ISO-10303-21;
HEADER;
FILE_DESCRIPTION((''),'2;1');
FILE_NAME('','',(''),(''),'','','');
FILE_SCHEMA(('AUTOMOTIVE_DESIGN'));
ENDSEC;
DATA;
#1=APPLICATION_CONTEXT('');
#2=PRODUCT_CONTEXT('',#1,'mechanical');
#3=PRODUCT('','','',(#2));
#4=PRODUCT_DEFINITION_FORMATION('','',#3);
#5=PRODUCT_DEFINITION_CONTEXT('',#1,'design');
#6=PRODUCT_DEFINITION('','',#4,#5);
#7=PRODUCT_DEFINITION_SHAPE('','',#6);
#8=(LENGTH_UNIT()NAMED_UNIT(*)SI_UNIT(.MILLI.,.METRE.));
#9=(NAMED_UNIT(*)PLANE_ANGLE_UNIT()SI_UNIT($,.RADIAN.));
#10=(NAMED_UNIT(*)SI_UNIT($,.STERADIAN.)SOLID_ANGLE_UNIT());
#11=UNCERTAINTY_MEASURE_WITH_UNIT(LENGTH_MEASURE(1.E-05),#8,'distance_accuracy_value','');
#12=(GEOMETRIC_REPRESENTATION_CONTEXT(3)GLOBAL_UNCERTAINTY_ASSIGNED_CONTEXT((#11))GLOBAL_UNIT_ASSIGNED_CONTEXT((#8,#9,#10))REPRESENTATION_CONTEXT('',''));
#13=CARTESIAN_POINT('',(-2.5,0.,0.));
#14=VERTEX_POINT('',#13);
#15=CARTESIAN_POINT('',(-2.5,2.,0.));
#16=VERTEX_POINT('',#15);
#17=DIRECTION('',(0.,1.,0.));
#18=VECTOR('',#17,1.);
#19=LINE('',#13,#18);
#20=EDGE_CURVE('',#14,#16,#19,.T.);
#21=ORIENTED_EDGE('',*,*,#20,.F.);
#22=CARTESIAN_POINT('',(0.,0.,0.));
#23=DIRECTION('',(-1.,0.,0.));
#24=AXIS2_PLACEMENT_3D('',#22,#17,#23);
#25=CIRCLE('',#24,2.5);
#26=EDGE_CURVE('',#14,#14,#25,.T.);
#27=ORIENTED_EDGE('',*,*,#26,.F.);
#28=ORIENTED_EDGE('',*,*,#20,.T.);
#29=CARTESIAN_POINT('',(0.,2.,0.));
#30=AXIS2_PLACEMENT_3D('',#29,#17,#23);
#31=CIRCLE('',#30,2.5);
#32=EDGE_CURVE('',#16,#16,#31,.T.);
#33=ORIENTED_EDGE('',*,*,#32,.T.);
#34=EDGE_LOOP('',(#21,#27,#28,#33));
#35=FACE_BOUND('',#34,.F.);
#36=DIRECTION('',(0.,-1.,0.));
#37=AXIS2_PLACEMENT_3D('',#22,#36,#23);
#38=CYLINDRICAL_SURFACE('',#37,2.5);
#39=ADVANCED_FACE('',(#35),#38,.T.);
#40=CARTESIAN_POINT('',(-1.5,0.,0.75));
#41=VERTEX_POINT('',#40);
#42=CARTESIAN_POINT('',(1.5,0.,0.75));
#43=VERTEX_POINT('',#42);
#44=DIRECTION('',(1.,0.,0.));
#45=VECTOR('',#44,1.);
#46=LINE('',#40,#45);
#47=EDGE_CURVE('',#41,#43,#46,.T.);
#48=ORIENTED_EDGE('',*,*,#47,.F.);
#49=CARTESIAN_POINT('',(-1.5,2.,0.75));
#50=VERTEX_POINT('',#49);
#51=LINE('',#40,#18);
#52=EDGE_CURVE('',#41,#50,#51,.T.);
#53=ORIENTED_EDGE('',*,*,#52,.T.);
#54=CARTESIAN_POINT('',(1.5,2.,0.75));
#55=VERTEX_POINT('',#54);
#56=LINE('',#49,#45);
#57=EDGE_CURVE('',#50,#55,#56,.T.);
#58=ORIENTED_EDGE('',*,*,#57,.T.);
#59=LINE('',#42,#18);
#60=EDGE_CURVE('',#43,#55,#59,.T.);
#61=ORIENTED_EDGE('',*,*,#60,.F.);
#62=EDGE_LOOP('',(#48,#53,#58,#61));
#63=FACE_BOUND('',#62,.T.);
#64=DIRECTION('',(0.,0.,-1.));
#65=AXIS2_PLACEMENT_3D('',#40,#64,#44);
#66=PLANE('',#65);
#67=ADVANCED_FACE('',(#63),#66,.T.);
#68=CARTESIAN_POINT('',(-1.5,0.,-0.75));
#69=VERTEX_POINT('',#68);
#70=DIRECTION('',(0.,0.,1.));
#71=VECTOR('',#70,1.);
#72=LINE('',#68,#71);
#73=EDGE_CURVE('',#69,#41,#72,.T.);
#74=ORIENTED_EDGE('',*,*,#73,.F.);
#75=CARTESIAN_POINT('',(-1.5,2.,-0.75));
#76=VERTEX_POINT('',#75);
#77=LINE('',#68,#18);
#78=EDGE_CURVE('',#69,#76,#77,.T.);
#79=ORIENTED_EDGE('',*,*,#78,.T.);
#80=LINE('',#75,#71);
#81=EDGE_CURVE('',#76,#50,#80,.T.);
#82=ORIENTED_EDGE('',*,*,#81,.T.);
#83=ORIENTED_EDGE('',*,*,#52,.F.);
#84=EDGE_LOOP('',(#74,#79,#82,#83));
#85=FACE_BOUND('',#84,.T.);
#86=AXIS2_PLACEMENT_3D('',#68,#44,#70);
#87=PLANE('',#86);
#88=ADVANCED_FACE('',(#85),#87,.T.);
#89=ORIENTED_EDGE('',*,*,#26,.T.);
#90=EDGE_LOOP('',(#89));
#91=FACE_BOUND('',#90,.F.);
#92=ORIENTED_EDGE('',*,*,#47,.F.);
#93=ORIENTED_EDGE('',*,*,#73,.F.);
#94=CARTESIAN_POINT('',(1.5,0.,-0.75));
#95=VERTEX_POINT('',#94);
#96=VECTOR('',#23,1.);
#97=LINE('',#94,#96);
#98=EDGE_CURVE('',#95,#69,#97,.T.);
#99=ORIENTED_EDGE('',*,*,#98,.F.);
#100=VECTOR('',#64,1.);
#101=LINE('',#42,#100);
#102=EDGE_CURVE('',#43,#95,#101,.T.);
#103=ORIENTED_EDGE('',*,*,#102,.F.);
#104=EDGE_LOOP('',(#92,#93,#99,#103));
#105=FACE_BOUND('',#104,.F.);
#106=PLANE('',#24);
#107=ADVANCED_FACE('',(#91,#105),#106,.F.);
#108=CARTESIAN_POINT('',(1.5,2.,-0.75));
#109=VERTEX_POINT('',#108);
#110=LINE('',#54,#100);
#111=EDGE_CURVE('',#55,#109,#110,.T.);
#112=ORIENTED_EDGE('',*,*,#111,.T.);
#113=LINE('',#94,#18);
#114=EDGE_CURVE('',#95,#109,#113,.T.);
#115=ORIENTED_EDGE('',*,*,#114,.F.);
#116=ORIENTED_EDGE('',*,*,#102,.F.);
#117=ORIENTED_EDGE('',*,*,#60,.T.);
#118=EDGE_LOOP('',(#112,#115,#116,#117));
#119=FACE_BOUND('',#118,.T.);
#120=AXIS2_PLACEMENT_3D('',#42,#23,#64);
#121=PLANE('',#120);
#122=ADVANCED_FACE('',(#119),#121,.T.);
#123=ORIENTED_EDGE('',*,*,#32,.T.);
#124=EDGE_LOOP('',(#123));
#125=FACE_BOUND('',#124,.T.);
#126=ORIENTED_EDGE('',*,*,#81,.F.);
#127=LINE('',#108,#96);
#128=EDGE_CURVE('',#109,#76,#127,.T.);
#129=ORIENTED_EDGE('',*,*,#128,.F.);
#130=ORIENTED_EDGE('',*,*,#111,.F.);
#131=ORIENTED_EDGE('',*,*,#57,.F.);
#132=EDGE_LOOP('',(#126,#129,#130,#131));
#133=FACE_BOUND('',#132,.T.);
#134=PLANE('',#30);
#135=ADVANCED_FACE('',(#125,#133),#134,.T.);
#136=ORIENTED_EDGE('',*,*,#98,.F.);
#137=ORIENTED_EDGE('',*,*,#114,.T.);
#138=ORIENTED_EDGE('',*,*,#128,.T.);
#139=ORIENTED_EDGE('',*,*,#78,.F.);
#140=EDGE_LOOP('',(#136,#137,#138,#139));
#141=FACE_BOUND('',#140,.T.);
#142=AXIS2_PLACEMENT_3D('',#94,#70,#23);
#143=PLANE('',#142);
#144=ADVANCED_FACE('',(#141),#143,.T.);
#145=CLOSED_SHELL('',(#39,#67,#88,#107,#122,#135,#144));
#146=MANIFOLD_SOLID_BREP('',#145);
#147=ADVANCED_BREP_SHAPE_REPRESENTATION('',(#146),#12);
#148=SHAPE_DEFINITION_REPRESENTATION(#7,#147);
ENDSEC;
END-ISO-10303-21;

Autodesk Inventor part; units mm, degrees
ref_plane "YZ Plane" through (0, 0, 0) normal (1, 0, 0) x (0, 1, 0)
ref_plane "XZ Plane" through (0, 0, 0) normal (0, 1, 0) x (-1, 0, 0)
ref_plane "XY Plane" through (0, 0, 0) normal (0, 0, 1) x (1, 0, 0)
sketch "スケッチ1" plane through (0, 0, 0) normal (0, 1, 0) x (-1, 0, 0)
  circle A0 centre (0, 0) radius 2.5
  line L0 (1.5, 0.75) -> (-1.5, 0.75)
  line L1 (-1.5, 0.75) -> (-1.5, -0.75)
  line L2 (-1.5, -0.75) -> (1.5, -0.75)
  line L3 (1.5, -0.75) -> (1.5, 0.75)
  line L4 (1.5, 0.75) -> (-1.5, -0.75) construction
  line L5 (-1.5, 0.75) -> (1.5, -0.75) construction
  dimension "d0" = 5
  dimension "d1" = 1.5
  dimension "d2" = 3
extrude "押し出し1" add sketch "スケッチ1" along normal blind 2
properties part number "plate_ball"
